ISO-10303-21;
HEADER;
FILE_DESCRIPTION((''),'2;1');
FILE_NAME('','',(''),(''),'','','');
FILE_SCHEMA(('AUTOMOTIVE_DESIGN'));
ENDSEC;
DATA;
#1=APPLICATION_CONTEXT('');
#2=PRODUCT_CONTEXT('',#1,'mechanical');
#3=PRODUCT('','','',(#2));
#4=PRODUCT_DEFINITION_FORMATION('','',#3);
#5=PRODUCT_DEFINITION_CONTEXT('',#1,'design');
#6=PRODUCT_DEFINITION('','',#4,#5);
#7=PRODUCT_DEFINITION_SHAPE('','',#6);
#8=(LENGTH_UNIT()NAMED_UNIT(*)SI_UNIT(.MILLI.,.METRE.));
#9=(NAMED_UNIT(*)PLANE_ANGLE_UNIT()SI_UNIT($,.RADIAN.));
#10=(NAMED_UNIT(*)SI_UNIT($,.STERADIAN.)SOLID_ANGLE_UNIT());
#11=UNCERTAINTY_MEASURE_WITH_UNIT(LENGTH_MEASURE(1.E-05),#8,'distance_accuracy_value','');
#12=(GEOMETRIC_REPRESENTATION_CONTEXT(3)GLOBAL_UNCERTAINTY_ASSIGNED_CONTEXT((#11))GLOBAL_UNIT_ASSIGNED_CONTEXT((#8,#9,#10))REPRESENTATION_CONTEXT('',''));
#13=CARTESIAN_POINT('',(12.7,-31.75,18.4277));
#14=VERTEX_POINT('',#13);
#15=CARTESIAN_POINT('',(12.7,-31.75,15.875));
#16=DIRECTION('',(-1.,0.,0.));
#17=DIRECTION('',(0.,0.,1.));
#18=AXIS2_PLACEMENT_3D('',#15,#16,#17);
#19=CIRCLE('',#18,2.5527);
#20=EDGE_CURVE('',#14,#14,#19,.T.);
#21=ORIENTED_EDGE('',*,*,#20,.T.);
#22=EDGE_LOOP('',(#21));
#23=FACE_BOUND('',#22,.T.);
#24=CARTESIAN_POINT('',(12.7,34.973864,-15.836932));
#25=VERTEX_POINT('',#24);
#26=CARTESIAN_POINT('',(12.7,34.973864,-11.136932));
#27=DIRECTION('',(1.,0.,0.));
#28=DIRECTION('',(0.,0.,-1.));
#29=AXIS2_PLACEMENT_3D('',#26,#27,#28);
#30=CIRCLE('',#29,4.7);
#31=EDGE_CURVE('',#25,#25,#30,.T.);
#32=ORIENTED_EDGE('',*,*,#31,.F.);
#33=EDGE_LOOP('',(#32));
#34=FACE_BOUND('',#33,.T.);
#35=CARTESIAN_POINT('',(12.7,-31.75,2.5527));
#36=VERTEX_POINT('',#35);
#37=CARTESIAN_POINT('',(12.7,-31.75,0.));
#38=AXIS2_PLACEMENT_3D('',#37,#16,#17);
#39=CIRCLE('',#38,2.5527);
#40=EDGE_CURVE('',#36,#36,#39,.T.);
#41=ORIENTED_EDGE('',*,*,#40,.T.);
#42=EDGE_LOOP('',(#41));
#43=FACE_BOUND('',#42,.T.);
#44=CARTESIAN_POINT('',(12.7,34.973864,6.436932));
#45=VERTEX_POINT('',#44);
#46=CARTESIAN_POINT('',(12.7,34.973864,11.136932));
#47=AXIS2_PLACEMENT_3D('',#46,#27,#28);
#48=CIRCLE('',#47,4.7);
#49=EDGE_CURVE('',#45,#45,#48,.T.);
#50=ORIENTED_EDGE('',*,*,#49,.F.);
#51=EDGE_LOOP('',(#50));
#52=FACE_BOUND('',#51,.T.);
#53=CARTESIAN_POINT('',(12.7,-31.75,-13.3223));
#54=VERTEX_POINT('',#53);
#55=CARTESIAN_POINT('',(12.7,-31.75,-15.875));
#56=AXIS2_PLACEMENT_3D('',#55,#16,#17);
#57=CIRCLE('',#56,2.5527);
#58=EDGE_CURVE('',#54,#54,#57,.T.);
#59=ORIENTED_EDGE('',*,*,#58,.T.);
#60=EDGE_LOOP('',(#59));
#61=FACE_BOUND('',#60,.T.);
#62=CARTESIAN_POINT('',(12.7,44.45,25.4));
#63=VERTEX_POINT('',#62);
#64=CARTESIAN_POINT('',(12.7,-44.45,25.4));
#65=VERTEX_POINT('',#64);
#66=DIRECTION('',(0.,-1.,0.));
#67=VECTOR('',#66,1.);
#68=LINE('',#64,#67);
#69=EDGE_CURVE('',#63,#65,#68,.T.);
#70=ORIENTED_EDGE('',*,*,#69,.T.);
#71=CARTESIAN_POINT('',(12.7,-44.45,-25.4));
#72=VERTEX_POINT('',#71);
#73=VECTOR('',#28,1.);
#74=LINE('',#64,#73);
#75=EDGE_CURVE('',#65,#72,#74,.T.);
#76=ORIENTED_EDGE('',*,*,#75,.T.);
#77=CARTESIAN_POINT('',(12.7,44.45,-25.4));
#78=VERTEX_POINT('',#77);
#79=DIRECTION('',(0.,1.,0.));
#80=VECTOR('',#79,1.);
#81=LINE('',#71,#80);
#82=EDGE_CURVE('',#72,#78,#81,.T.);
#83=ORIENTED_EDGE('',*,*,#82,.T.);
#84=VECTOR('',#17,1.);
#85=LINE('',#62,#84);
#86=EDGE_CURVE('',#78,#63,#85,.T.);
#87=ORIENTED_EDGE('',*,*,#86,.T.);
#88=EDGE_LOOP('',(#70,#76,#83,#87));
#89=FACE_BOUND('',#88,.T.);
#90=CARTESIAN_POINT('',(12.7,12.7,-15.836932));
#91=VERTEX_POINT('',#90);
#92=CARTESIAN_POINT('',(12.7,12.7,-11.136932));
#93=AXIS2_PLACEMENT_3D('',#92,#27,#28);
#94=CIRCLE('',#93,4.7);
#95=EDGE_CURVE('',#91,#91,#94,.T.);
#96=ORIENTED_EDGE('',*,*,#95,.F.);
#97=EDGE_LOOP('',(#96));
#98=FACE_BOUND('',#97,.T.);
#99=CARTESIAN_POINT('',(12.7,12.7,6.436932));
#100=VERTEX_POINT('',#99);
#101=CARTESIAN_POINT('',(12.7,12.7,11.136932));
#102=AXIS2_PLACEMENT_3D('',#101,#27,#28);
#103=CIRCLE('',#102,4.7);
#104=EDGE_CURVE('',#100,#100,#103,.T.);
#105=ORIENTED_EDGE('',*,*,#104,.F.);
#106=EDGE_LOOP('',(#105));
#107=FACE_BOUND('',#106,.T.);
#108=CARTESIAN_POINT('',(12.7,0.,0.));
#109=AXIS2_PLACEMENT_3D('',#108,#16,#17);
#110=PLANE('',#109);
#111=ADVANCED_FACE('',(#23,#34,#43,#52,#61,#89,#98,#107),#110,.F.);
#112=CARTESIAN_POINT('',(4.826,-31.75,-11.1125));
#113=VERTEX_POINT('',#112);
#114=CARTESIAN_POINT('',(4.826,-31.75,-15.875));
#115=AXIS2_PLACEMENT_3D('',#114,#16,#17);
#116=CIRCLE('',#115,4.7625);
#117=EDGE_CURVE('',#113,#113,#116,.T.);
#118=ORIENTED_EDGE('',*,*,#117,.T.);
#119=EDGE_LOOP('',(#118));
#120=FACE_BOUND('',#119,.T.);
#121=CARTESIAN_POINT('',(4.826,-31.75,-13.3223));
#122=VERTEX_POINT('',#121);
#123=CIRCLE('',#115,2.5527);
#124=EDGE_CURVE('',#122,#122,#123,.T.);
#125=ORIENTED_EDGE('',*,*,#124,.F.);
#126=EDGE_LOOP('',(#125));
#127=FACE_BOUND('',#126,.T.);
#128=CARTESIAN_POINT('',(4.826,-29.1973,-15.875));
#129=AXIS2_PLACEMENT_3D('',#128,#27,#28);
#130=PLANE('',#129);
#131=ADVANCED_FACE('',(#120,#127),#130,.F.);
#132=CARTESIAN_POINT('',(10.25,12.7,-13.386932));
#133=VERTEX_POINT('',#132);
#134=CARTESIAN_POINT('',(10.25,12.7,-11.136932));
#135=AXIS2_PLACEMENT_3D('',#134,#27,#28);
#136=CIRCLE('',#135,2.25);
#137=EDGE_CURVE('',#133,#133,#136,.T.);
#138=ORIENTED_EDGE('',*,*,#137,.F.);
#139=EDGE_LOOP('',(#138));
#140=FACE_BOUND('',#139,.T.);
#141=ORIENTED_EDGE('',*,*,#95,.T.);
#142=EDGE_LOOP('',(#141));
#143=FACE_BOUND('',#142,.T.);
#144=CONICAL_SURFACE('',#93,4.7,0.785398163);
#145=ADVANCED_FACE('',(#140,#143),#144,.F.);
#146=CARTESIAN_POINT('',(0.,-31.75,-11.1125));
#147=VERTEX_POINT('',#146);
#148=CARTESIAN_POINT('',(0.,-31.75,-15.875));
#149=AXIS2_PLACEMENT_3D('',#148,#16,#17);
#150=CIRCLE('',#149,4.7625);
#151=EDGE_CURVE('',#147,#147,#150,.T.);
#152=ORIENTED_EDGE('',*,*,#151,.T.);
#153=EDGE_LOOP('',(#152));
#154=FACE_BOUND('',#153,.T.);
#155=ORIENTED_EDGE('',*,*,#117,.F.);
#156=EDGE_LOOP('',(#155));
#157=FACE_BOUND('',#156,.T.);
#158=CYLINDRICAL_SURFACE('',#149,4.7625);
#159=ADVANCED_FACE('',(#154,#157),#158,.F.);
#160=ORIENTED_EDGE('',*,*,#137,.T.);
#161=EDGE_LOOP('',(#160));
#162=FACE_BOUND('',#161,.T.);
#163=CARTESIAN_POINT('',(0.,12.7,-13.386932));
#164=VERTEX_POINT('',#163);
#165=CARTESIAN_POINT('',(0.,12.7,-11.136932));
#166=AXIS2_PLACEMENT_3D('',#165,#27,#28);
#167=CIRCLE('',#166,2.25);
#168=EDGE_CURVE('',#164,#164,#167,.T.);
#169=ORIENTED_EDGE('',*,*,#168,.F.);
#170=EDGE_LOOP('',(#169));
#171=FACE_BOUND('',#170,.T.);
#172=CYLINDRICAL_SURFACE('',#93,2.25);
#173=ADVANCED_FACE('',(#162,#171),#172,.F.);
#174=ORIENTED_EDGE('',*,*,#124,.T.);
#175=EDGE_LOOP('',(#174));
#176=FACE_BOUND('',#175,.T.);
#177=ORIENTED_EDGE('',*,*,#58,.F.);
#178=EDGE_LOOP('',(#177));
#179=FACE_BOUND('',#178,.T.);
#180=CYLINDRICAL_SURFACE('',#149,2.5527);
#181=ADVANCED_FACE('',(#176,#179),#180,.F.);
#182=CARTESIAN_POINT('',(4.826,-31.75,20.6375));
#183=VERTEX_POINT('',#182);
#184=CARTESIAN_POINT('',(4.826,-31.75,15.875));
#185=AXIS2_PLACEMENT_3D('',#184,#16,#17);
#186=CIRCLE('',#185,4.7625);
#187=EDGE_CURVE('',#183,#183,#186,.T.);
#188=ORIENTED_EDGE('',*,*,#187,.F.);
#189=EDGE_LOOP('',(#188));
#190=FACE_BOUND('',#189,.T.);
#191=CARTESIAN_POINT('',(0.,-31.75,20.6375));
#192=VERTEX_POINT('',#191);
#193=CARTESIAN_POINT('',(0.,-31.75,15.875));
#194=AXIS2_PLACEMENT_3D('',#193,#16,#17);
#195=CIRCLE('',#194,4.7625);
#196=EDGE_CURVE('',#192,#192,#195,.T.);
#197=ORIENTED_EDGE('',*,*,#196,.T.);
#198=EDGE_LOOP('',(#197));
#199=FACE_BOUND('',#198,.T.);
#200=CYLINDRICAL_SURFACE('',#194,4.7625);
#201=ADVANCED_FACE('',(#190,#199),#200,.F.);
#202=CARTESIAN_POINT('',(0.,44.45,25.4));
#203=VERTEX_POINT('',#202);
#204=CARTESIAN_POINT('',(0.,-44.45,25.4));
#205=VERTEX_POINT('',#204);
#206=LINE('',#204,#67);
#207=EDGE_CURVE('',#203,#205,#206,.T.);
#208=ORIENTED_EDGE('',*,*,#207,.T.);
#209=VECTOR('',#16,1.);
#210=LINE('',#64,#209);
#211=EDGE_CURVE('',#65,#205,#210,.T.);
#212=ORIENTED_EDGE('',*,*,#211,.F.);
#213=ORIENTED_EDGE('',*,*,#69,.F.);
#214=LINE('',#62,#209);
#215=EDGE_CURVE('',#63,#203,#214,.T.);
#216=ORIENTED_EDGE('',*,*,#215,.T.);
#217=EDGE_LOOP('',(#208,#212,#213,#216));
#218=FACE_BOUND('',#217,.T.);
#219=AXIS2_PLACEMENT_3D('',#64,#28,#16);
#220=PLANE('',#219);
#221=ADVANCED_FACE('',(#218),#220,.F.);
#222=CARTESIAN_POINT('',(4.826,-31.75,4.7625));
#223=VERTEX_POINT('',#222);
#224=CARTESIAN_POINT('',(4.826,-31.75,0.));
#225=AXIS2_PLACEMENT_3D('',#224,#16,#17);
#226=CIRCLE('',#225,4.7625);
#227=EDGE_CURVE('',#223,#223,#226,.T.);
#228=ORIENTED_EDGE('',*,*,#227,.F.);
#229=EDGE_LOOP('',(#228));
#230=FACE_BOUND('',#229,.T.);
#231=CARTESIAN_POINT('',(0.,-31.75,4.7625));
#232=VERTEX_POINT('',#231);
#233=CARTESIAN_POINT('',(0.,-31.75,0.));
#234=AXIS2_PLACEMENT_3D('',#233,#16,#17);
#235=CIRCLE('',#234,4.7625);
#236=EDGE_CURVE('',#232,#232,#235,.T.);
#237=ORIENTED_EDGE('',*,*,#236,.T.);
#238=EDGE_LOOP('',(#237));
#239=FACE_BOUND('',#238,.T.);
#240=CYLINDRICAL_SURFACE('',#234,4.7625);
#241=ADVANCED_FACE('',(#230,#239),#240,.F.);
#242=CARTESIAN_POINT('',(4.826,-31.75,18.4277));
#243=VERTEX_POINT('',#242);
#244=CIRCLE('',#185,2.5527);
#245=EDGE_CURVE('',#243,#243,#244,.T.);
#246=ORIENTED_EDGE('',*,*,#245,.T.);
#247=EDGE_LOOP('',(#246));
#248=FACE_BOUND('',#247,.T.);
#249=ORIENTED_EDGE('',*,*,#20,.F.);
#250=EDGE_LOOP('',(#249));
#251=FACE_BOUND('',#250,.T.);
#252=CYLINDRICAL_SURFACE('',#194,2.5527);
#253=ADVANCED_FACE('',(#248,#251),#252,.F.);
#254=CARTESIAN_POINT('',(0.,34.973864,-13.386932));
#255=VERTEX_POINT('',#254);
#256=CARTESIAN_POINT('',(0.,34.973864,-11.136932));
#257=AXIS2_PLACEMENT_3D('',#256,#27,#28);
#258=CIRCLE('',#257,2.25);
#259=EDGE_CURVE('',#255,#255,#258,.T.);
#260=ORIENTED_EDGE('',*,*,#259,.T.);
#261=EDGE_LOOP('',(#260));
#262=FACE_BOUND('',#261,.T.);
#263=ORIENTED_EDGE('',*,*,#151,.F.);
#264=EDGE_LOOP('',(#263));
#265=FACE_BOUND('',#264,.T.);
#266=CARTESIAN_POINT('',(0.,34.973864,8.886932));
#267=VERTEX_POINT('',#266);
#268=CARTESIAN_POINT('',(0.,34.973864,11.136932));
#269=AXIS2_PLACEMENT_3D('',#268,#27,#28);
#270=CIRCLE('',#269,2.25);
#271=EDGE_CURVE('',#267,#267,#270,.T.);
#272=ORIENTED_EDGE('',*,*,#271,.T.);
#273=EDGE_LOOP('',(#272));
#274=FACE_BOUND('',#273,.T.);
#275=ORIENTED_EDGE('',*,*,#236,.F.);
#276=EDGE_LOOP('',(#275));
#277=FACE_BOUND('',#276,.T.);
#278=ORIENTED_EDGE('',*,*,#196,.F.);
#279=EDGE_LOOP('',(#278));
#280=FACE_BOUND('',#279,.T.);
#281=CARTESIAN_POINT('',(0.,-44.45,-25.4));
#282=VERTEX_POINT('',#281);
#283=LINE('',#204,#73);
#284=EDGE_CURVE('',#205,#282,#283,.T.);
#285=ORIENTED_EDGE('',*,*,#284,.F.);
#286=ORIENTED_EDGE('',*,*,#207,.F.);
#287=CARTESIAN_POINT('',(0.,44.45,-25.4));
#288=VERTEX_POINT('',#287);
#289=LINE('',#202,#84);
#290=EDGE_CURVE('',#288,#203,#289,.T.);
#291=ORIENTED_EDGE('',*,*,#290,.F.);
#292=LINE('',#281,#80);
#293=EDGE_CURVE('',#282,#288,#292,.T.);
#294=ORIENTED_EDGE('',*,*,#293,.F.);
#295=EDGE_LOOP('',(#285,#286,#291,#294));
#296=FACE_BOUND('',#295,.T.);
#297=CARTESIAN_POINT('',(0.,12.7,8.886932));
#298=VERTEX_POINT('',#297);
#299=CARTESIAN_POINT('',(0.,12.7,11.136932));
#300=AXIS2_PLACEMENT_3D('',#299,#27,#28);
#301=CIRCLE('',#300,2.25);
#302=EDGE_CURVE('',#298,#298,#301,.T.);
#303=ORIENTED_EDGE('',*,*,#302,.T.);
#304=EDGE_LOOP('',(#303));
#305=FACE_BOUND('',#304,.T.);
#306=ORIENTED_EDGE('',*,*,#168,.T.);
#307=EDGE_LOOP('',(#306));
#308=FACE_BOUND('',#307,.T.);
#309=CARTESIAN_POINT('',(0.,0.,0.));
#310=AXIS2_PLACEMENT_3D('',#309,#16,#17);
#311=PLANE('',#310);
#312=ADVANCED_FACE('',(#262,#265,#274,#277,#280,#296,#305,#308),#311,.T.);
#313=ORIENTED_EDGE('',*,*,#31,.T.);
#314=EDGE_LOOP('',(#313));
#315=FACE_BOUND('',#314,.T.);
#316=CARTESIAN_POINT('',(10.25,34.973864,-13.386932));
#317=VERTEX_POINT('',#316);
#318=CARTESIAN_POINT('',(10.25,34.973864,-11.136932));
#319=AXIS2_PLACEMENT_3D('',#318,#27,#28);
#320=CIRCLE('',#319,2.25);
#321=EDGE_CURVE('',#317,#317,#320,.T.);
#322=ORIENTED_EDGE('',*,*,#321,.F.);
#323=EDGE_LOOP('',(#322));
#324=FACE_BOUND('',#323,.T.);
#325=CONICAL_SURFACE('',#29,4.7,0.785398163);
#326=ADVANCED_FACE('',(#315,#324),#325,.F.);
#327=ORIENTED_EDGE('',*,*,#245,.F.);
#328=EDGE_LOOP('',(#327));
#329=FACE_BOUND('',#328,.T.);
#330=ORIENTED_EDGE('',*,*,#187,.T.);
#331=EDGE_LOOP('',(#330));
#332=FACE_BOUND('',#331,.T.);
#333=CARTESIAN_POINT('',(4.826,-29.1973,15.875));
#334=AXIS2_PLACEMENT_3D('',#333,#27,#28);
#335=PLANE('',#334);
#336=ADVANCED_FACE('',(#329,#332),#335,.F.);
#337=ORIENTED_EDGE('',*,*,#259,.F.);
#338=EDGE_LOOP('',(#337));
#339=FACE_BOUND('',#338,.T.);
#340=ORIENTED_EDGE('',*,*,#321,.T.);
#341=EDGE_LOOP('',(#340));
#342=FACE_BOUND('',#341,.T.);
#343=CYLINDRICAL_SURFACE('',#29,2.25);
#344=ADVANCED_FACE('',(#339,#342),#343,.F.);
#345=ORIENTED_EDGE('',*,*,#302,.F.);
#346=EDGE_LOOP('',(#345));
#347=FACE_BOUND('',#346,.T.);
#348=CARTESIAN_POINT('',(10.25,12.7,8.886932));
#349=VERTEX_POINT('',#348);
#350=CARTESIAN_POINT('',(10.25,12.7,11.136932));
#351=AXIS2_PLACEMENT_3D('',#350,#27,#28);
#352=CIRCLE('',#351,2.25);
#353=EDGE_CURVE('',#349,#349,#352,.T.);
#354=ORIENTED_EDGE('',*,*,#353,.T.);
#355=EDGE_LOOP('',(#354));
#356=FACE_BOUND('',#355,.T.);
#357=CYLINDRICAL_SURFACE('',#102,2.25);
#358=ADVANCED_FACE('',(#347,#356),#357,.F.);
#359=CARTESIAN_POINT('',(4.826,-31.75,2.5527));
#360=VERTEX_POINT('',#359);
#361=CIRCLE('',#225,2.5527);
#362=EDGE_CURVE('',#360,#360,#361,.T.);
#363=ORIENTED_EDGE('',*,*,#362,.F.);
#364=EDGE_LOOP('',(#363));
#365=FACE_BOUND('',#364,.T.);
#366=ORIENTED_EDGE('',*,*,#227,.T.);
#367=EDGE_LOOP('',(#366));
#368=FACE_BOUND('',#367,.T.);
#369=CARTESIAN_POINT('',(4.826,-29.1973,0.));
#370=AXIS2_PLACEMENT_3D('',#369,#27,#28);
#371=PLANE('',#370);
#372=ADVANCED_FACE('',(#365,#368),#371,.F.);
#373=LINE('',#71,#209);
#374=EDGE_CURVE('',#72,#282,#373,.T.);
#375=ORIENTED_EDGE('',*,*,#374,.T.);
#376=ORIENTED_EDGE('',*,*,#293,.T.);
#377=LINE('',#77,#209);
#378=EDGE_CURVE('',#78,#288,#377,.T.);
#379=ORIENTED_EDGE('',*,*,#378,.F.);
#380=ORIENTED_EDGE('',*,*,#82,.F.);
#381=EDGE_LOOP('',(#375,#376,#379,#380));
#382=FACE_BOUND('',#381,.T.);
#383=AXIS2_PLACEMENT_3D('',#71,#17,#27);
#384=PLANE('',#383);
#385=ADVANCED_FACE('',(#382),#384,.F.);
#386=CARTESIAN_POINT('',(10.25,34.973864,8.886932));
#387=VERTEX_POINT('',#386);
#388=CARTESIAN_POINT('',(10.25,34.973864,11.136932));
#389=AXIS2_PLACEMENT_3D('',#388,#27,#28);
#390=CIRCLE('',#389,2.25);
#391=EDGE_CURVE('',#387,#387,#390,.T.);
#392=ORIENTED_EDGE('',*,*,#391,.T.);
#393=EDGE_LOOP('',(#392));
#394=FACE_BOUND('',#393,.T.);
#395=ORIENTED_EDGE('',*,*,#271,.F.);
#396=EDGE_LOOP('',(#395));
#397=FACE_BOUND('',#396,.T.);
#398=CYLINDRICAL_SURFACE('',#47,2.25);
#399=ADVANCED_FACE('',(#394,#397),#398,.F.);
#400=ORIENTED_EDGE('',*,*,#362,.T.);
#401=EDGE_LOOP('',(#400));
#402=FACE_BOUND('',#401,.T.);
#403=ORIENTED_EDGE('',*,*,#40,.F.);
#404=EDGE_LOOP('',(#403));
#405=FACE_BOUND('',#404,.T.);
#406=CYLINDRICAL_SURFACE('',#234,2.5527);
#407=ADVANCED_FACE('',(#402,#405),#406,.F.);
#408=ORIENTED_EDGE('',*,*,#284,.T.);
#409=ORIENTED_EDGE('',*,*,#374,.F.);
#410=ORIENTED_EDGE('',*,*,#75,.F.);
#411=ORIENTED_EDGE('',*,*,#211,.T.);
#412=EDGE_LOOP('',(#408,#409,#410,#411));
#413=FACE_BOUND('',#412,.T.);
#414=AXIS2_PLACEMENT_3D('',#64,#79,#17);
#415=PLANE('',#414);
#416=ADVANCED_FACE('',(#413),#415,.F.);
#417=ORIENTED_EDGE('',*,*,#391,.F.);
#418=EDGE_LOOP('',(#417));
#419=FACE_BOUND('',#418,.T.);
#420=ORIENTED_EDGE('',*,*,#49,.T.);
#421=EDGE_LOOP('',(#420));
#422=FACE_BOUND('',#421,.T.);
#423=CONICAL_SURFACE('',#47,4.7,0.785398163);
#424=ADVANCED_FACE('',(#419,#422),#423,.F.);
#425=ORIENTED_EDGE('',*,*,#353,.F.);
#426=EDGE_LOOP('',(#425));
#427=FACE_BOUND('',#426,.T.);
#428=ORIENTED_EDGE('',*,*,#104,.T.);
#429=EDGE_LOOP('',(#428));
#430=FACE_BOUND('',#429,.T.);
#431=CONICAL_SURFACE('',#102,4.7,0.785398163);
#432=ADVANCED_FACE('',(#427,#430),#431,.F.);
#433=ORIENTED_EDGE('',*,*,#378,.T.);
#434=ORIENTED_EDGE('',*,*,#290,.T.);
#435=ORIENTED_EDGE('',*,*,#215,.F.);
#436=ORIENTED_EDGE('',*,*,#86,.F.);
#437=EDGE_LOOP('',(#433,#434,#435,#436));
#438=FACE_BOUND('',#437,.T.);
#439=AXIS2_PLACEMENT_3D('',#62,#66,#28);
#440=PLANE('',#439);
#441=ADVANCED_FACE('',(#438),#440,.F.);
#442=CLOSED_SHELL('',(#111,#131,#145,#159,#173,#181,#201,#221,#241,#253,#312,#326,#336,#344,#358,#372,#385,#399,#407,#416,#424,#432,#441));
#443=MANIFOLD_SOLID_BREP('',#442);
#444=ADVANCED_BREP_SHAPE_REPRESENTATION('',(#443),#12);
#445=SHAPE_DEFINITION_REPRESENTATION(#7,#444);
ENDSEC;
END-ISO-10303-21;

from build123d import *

# Parameters (mm, degrees)
SKETCH1_W                                       = 50.8
SKETCH1_H                                       = 88.9
BOSS_EXTRUDE1_DEPTH                             = 12.7
CSK_FOR_M4_FLAT_HEAD_MACHINE_SCREW1_D           = 4.5
CSK_FOR_M4_FLAT_HEAD_MACHINE_SCREW1_CSINK_D     = 9.4
CSK_FOR_M4_FLAT_HEAD_MACHINE_SCREW1_CSINK_ANGLE = 90
CBORE_FOR_10_SOCKET_HEAD_CAP_SCREW1_D           = 5.1054
CBORE_FOR_10_SOCKET_HEAD_CAP_SCREW1_CBORE_D     = 9.525
CBORE_FOR_10_SOCKET_HEAD_CAP_SCREW1_CBORE_DEPTH = 4.826


with BuildPart() as part:
    # Sketch1 → Boss-Extrude1 (new body)
    with BuildSketch(Plane(origin=(0, 0, 0), x_dir=(0, 0, -1), z_dir=(1, 0, 0))):
        Rectangle(SKETCH1_W, SKETCH1_H)
    extrude(amount=BOSS_EXTRUDE1_DEPTH)

    # CSK for M4 Flat Head Machine Screw1 (through all)
    with Locations(Plane(origin=(12.7, 0, 0), x_dir=(0, 0, -1), z_dir=(1, 0, 0))):
        with Locations((11.136931804, 34.973863607), (-11.136931804, 34.973863607), (-11.136931804, 12.7), (11.136931804, 12.7)):
            CounterSinkHole(CSK_FOR_M4_FLAT_HEAD_MACHINE_SCREW1_D / 2, CSK_FOR_M4_FLAT_HEAD_MACHINE_SCREW1_CSINK_D / 2, counter_sink_angle=CSK_FOR_M4_FLAT_HEAD_MACHINE_SCREW1_CSINK_ANGLE)

    # CBORE for #10 Socket Head Cap Screw1 (through all)
    with Locations(Plane.ZY):
        with Locations((-15.875, -31.75), (0, -31.75), (15.875, -31.75)):
            CounterBoreHole(CBORE_FOR_10_SOCKET_HEAD_CAP_SCREW1_D / 2, CBORE_FOR_10_SOCKET_HEAD_CAP_SCREW1_CBORE_D / 2, CBORE_FOR_10_SOCKET_HEAD_CAP_SCREW1_CBORE_DEPTH)


solid = part.part
